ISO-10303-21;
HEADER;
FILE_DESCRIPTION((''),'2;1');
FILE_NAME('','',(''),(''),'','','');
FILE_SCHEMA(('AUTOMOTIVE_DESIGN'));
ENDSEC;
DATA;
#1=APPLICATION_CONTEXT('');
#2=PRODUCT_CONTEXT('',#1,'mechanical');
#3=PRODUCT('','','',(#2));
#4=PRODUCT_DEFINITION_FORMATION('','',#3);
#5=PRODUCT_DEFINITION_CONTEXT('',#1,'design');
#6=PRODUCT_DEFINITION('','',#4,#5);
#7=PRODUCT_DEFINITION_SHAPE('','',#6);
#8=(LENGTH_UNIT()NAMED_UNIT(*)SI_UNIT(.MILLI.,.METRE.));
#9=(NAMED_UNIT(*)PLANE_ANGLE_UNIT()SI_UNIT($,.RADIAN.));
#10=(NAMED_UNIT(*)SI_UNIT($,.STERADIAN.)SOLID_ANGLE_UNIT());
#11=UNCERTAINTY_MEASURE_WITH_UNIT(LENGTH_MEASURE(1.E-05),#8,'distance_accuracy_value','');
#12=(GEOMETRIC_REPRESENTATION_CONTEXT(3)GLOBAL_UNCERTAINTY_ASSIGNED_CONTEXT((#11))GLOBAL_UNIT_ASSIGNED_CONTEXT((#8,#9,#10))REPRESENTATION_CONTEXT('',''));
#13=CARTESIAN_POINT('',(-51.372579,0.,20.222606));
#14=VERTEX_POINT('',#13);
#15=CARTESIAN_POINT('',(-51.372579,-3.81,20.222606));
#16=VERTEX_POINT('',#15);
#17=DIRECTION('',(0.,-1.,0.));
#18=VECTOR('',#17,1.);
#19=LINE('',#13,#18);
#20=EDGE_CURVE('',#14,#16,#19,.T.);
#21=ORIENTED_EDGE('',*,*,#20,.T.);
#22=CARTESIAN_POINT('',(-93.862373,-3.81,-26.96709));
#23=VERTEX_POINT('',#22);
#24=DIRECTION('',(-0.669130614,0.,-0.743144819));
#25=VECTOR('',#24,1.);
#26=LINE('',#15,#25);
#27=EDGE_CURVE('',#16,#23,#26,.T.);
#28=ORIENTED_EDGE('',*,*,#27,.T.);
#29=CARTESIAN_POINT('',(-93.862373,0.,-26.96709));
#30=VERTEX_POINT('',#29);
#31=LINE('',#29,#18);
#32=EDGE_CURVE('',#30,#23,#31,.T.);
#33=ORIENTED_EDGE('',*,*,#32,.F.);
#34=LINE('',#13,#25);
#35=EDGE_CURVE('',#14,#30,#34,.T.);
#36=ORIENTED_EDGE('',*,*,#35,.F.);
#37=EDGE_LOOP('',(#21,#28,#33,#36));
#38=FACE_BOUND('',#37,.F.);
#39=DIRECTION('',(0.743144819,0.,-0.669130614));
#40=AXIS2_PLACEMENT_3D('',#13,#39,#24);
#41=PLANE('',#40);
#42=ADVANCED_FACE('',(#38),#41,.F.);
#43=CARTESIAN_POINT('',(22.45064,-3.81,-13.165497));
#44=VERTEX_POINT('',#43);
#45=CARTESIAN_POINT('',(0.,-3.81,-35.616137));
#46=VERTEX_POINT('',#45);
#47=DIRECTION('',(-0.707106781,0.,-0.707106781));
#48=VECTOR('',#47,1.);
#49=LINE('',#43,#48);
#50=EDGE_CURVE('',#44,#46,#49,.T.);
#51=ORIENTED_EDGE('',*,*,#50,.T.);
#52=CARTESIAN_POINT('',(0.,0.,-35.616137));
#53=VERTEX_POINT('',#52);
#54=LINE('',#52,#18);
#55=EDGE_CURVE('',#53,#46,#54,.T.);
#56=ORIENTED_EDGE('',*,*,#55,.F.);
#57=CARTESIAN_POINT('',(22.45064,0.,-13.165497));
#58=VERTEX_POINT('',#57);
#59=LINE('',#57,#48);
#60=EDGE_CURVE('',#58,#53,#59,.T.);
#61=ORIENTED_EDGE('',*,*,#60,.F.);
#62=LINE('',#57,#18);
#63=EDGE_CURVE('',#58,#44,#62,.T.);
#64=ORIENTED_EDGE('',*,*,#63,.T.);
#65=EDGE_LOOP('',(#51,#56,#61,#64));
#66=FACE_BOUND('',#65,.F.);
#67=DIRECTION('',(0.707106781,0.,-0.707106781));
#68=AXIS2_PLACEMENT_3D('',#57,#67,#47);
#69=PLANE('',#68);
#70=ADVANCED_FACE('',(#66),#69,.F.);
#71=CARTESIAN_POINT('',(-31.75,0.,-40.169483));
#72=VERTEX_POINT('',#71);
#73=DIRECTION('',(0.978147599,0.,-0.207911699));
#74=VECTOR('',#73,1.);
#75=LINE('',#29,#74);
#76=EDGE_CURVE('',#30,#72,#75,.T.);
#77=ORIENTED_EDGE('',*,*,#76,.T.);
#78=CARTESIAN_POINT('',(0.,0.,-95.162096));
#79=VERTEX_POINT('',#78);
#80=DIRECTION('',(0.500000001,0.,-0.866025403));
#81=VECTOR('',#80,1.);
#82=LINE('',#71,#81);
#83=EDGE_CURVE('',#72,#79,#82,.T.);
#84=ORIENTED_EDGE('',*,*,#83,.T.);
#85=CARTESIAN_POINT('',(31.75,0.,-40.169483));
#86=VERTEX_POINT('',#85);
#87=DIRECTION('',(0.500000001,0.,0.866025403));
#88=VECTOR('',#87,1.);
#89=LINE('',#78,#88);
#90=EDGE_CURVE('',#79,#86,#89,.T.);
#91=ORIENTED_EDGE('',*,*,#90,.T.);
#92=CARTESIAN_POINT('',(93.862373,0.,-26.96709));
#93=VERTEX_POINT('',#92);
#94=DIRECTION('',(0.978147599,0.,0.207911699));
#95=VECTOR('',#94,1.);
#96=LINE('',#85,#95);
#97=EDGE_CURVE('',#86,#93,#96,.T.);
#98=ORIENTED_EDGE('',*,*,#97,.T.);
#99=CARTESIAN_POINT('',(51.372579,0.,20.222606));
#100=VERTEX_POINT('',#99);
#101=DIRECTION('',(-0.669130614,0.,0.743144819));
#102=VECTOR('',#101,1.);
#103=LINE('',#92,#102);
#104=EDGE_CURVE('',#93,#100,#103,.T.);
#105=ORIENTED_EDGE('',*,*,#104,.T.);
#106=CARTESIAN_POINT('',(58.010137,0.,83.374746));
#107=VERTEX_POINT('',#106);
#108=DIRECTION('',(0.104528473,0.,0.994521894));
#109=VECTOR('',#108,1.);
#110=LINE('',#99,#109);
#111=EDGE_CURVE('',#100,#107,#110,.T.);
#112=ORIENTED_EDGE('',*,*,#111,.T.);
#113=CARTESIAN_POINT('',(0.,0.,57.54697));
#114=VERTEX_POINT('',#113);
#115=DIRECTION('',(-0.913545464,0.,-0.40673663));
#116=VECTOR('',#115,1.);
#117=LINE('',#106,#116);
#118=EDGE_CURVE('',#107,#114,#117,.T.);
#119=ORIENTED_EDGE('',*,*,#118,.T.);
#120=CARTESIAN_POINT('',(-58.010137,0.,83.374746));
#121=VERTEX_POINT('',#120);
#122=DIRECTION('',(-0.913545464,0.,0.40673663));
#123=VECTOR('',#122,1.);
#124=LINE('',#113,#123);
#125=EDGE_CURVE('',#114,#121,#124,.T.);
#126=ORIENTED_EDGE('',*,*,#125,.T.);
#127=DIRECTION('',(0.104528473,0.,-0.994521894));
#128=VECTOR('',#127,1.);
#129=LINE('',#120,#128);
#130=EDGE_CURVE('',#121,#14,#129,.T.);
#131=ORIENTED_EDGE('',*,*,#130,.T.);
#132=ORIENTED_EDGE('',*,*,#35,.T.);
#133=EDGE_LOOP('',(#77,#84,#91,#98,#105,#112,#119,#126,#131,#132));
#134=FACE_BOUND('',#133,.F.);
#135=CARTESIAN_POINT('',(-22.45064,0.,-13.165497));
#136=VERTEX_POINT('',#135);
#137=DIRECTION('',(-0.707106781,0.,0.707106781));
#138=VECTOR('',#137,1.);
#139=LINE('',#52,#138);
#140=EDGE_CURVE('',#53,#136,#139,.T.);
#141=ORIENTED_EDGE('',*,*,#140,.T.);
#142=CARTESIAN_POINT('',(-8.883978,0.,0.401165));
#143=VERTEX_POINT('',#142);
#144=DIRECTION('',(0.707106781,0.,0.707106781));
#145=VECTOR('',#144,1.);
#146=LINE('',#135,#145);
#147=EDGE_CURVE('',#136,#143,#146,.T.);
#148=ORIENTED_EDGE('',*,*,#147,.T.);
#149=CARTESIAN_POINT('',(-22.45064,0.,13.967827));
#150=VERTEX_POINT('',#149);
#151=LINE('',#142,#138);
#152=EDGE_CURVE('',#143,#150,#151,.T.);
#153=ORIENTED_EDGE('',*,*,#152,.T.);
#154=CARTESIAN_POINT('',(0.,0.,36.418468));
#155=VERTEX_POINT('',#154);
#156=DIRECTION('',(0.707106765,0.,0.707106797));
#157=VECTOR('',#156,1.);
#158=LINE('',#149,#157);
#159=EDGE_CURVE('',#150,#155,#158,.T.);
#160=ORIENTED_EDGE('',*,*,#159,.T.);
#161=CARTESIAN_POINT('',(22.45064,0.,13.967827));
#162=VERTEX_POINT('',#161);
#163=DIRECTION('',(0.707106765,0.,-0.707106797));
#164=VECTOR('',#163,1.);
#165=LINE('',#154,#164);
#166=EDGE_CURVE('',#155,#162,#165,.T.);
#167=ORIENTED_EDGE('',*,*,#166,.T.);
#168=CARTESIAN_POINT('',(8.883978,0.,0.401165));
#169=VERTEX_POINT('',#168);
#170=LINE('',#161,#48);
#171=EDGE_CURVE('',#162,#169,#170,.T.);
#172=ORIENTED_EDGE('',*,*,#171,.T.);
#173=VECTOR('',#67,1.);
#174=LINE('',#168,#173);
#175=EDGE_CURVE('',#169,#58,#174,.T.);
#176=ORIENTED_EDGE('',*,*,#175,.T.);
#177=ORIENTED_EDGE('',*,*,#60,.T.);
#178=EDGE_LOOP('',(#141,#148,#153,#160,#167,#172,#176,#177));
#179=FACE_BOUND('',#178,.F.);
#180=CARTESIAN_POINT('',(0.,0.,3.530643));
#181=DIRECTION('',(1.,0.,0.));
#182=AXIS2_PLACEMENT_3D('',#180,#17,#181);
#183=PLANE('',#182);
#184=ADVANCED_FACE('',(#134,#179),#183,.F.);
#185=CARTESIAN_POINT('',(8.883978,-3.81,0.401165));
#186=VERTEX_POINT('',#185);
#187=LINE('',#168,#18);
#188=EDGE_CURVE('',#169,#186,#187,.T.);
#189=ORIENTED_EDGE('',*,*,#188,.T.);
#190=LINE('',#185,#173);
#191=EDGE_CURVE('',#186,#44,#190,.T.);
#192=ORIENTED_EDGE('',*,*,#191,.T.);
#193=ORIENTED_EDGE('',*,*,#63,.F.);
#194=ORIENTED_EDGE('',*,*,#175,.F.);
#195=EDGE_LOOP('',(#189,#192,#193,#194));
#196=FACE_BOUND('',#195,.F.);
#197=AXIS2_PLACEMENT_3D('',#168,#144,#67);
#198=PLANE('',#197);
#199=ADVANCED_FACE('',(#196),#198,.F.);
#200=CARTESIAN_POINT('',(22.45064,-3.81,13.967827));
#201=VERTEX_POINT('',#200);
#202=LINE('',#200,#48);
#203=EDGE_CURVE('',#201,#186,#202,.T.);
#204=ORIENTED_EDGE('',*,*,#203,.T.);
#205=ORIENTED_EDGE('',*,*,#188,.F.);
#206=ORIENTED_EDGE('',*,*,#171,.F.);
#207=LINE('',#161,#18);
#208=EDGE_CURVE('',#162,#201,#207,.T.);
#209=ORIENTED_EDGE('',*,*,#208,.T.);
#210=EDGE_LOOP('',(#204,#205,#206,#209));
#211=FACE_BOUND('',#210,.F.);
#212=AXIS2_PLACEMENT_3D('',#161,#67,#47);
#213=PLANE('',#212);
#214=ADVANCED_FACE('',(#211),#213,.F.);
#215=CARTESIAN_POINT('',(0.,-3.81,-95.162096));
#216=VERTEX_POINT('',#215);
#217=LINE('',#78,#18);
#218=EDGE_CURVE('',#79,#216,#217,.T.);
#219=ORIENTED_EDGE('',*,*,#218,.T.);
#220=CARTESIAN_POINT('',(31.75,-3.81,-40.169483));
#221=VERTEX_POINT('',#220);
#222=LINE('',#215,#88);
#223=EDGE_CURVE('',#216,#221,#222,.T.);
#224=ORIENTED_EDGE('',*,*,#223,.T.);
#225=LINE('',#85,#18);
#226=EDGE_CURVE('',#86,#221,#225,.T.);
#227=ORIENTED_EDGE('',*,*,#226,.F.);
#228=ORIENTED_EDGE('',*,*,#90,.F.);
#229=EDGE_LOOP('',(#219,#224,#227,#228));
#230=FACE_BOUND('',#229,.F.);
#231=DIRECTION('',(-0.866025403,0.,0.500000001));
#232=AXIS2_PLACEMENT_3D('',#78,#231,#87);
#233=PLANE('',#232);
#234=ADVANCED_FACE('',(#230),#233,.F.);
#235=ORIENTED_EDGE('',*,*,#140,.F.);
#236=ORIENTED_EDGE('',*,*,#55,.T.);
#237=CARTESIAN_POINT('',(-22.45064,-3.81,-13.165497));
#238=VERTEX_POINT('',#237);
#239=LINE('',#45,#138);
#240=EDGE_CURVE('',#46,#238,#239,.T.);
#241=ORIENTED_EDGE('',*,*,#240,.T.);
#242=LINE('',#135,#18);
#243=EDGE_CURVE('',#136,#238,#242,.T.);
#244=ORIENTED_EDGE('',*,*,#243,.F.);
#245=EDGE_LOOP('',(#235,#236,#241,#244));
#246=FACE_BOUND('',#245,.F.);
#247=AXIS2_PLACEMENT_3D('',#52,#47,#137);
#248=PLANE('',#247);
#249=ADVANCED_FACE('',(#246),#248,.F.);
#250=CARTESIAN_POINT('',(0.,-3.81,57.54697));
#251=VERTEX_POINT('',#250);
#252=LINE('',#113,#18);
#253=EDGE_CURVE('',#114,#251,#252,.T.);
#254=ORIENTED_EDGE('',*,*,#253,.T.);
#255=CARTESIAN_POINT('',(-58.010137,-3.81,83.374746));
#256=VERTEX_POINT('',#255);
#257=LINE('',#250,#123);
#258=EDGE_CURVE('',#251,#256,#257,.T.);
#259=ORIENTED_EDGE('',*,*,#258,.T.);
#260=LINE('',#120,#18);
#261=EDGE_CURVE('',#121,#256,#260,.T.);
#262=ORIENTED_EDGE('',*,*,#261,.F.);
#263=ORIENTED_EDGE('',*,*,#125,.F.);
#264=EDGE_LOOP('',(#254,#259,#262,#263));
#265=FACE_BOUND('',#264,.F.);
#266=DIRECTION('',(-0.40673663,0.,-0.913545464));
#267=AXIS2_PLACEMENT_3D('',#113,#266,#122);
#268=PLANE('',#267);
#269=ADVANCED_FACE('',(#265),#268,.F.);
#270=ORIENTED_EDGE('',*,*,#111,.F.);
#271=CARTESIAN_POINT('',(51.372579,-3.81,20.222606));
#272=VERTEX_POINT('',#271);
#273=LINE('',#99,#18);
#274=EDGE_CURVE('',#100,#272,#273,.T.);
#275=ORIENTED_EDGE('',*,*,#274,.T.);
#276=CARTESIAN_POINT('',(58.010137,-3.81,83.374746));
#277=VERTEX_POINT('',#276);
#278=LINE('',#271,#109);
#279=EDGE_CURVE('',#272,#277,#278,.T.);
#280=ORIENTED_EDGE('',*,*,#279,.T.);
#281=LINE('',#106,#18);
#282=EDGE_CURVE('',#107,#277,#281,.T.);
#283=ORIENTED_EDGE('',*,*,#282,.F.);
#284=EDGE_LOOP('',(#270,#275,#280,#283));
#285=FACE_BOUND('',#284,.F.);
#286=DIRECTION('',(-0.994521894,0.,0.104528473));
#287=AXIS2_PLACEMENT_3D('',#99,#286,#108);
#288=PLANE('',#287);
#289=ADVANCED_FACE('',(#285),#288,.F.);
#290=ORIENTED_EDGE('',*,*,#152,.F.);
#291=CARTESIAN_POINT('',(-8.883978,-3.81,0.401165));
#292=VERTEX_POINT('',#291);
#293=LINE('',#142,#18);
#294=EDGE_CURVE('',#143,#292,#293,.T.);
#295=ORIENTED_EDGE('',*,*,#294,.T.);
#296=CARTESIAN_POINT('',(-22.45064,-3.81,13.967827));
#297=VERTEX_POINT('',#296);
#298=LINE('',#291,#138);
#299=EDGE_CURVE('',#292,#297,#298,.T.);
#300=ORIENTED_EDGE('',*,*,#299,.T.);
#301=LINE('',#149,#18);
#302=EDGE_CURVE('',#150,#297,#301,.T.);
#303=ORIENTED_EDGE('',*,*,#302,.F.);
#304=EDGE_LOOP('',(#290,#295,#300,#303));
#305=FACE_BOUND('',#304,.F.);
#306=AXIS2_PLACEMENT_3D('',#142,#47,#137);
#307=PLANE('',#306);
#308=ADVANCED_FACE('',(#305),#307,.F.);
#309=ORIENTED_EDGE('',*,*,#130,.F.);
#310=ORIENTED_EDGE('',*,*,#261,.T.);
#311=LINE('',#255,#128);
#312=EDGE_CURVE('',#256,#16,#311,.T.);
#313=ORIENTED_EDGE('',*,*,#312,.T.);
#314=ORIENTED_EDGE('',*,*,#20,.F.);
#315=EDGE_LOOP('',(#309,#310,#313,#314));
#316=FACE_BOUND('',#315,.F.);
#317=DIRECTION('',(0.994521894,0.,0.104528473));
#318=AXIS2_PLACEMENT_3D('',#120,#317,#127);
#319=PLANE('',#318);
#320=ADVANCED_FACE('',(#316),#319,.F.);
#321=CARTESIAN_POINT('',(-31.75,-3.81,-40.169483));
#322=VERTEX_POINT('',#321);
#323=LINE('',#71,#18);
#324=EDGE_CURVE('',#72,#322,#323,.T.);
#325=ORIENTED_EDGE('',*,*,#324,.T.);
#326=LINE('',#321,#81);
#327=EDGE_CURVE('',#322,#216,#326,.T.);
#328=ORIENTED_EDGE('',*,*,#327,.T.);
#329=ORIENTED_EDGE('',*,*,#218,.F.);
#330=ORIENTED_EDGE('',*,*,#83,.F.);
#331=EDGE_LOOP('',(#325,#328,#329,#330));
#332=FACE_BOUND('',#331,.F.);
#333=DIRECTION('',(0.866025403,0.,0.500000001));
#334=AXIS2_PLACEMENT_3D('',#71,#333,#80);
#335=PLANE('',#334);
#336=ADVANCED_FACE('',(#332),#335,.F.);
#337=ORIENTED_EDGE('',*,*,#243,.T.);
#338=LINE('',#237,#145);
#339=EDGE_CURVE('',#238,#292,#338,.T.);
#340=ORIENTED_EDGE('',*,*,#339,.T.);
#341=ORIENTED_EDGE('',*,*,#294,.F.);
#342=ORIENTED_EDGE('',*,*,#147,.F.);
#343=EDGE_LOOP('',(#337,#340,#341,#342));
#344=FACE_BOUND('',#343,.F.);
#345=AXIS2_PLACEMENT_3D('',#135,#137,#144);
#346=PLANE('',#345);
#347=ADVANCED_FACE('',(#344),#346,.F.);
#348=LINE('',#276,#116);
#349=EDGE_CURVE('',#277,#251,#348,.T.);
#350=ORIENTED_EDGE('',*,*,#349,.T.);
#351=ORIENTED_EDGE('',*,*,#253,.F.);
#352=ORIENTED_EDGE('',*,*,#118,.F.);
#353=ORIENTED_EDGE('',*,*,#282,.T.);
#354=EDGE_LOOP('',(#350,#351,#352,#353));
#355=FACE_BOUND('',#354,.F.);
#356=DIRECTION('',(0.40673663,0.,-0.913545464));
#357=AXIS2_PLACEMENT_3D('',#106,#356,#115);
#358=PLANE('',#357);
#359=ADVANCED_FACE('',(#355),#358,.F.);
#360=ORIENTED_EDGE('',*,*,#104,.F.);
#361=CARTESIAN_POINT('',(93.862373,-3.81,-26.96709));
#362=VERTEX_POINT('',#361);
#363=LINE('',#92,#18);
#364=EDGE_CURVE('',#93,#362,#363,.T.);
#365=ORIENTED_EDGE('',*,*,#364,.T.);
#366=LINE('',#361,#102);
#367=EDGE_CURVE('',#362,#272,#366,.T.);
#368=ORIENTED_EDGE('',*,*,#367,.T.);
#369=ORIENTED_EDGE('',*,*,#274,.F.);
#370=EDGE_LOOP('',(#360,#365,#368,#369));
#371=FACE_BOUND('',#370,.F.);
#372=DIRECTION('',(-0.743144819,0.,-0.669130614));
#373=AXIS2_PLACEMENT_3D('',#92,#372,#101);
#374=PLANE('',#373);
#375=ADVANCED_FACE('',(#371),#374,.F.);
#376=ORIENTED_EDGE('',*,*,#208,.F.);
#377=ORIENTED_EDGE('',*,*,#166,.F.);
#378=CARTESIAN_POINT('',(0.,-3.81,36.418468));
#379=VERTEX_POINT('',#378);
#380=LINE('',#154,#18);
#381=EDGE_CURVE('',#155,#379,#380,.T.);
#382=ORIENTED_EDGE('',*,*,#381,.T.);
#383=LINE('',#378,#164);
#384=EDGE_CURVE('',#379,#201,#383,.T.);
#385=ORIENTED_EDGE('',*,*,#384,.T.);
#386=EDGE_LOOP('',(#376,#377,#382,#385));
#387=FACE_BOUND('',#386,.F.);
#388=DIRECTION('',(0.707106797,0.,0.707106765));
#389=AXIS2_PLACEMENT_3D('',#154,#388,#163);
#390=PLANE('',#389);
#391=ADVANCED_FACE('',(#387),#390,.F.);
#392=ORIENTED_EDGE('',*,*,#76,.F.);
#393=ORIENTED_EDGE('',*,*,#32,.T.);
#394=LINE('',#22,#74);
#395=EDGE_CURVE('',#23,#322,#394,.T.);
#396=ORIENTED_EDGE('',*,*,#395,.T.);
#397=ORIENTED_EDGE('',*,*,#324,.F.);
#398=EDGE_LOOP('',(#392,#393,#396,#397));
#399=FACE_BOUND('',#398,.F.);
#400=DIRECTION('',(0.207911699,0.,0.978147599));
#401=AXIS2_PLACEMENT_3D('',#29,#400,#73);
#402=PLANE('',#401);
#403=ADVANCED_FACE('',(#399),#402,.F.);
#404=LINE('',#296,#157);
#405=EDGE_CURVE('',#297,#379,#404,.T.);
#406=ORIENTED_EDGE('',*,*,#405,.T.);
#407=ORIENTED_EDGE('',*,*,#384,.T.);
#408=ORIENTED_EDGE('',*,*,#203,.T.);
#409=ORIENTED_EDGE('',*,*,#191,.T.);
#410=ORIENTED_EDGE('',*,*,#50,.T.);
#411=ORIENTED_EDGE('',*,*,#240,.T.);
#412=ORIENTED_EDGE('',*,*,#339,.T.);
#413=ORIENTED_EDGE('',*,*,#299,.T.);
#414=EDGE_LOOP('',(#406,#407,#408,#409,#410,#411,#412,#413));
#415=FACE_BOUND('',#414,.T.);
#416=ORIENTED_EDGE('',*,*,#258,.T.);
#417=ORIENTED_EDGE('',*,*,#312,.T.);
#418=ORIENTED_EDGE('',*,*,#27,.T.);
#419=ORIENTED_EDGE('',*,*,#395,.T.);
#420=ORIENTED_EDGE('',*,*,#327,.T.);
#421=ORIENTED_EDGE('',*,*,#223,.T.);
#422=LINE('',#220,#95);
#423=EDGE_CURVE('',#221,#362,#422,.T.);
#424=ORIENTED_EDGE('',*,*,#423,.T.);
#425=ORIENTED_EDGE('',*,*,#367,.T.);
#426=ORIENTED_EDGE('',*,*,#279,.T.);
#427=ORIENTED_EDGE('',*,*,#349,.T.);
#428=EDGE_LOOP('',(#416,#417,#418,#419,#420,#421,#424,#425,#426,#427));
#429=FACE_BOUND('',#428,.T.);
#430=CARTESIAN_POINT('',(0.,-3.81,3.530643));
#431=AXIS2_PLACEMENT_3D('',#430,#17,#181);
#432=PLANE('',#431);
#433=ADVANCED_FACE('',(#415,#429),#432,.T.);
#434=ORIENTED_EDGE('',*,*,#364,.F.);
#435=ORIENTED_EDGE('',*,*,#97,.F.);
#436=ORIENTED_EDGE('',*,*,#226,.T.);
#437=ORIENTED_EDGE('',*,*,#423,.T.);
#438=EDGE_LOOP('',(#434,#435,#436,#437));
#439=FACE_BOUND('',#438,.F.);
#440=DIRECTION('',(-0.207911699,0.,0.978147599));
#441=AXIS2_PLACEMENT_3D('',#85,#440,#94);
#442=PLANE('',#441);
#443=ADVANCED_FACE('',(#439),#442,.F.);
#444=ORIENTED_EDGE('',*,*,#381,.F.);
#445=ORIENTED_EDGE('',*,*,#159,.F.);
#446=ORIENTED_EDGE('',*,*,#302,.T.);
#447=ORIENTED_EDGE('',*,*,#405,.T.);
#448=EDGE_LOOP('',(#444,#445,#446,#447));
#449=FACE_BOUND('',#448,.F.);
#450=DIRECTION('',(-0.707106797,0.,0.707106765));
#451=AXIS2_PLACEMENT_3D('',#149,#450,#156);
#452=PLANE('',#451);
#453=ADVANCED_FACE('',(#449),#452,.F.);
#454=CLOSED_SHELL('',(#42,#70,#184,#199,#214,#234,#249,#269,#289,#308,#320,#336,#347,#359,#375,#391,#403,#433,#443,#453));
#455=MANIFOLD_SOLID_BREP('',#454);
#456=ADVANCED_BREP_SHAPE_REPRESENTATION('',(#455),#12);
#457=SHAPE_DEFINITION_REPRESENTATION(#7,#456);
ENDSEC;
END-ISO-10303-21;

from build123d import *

# Parameters (mm, degrees)
F1_DEPTH = 3.81


with BuildPart() as f1:
    # F0 (on Front) → F1 (new body)
    with BuildSketch(Plane.XZ):
        Polygon((58.010137, 83.374746), (0, 57.54697), (-58.010137, 83.374746), (-51.372579, 20.222606), (-93.862373, -26.96709), (-31.75, -40.169483), (0, -95.162096), (31.75, -40.169483), (93.862373, -26.96709), (51.372579, 20.222606), align=None)
        Polygon((-22.45064, -13.165497), (-8.883978, 0.401165), (-22.45064, 13.967827), (0, 36.418468), (22.45064, 13.967827), (8.883978, 0.401165), (22.45064, -13.165497), (0, -35.616137), align=None, mode=Mode.SUBTRACT)
    extrude(amount=F1_DEPTH)


solid = f1.part
